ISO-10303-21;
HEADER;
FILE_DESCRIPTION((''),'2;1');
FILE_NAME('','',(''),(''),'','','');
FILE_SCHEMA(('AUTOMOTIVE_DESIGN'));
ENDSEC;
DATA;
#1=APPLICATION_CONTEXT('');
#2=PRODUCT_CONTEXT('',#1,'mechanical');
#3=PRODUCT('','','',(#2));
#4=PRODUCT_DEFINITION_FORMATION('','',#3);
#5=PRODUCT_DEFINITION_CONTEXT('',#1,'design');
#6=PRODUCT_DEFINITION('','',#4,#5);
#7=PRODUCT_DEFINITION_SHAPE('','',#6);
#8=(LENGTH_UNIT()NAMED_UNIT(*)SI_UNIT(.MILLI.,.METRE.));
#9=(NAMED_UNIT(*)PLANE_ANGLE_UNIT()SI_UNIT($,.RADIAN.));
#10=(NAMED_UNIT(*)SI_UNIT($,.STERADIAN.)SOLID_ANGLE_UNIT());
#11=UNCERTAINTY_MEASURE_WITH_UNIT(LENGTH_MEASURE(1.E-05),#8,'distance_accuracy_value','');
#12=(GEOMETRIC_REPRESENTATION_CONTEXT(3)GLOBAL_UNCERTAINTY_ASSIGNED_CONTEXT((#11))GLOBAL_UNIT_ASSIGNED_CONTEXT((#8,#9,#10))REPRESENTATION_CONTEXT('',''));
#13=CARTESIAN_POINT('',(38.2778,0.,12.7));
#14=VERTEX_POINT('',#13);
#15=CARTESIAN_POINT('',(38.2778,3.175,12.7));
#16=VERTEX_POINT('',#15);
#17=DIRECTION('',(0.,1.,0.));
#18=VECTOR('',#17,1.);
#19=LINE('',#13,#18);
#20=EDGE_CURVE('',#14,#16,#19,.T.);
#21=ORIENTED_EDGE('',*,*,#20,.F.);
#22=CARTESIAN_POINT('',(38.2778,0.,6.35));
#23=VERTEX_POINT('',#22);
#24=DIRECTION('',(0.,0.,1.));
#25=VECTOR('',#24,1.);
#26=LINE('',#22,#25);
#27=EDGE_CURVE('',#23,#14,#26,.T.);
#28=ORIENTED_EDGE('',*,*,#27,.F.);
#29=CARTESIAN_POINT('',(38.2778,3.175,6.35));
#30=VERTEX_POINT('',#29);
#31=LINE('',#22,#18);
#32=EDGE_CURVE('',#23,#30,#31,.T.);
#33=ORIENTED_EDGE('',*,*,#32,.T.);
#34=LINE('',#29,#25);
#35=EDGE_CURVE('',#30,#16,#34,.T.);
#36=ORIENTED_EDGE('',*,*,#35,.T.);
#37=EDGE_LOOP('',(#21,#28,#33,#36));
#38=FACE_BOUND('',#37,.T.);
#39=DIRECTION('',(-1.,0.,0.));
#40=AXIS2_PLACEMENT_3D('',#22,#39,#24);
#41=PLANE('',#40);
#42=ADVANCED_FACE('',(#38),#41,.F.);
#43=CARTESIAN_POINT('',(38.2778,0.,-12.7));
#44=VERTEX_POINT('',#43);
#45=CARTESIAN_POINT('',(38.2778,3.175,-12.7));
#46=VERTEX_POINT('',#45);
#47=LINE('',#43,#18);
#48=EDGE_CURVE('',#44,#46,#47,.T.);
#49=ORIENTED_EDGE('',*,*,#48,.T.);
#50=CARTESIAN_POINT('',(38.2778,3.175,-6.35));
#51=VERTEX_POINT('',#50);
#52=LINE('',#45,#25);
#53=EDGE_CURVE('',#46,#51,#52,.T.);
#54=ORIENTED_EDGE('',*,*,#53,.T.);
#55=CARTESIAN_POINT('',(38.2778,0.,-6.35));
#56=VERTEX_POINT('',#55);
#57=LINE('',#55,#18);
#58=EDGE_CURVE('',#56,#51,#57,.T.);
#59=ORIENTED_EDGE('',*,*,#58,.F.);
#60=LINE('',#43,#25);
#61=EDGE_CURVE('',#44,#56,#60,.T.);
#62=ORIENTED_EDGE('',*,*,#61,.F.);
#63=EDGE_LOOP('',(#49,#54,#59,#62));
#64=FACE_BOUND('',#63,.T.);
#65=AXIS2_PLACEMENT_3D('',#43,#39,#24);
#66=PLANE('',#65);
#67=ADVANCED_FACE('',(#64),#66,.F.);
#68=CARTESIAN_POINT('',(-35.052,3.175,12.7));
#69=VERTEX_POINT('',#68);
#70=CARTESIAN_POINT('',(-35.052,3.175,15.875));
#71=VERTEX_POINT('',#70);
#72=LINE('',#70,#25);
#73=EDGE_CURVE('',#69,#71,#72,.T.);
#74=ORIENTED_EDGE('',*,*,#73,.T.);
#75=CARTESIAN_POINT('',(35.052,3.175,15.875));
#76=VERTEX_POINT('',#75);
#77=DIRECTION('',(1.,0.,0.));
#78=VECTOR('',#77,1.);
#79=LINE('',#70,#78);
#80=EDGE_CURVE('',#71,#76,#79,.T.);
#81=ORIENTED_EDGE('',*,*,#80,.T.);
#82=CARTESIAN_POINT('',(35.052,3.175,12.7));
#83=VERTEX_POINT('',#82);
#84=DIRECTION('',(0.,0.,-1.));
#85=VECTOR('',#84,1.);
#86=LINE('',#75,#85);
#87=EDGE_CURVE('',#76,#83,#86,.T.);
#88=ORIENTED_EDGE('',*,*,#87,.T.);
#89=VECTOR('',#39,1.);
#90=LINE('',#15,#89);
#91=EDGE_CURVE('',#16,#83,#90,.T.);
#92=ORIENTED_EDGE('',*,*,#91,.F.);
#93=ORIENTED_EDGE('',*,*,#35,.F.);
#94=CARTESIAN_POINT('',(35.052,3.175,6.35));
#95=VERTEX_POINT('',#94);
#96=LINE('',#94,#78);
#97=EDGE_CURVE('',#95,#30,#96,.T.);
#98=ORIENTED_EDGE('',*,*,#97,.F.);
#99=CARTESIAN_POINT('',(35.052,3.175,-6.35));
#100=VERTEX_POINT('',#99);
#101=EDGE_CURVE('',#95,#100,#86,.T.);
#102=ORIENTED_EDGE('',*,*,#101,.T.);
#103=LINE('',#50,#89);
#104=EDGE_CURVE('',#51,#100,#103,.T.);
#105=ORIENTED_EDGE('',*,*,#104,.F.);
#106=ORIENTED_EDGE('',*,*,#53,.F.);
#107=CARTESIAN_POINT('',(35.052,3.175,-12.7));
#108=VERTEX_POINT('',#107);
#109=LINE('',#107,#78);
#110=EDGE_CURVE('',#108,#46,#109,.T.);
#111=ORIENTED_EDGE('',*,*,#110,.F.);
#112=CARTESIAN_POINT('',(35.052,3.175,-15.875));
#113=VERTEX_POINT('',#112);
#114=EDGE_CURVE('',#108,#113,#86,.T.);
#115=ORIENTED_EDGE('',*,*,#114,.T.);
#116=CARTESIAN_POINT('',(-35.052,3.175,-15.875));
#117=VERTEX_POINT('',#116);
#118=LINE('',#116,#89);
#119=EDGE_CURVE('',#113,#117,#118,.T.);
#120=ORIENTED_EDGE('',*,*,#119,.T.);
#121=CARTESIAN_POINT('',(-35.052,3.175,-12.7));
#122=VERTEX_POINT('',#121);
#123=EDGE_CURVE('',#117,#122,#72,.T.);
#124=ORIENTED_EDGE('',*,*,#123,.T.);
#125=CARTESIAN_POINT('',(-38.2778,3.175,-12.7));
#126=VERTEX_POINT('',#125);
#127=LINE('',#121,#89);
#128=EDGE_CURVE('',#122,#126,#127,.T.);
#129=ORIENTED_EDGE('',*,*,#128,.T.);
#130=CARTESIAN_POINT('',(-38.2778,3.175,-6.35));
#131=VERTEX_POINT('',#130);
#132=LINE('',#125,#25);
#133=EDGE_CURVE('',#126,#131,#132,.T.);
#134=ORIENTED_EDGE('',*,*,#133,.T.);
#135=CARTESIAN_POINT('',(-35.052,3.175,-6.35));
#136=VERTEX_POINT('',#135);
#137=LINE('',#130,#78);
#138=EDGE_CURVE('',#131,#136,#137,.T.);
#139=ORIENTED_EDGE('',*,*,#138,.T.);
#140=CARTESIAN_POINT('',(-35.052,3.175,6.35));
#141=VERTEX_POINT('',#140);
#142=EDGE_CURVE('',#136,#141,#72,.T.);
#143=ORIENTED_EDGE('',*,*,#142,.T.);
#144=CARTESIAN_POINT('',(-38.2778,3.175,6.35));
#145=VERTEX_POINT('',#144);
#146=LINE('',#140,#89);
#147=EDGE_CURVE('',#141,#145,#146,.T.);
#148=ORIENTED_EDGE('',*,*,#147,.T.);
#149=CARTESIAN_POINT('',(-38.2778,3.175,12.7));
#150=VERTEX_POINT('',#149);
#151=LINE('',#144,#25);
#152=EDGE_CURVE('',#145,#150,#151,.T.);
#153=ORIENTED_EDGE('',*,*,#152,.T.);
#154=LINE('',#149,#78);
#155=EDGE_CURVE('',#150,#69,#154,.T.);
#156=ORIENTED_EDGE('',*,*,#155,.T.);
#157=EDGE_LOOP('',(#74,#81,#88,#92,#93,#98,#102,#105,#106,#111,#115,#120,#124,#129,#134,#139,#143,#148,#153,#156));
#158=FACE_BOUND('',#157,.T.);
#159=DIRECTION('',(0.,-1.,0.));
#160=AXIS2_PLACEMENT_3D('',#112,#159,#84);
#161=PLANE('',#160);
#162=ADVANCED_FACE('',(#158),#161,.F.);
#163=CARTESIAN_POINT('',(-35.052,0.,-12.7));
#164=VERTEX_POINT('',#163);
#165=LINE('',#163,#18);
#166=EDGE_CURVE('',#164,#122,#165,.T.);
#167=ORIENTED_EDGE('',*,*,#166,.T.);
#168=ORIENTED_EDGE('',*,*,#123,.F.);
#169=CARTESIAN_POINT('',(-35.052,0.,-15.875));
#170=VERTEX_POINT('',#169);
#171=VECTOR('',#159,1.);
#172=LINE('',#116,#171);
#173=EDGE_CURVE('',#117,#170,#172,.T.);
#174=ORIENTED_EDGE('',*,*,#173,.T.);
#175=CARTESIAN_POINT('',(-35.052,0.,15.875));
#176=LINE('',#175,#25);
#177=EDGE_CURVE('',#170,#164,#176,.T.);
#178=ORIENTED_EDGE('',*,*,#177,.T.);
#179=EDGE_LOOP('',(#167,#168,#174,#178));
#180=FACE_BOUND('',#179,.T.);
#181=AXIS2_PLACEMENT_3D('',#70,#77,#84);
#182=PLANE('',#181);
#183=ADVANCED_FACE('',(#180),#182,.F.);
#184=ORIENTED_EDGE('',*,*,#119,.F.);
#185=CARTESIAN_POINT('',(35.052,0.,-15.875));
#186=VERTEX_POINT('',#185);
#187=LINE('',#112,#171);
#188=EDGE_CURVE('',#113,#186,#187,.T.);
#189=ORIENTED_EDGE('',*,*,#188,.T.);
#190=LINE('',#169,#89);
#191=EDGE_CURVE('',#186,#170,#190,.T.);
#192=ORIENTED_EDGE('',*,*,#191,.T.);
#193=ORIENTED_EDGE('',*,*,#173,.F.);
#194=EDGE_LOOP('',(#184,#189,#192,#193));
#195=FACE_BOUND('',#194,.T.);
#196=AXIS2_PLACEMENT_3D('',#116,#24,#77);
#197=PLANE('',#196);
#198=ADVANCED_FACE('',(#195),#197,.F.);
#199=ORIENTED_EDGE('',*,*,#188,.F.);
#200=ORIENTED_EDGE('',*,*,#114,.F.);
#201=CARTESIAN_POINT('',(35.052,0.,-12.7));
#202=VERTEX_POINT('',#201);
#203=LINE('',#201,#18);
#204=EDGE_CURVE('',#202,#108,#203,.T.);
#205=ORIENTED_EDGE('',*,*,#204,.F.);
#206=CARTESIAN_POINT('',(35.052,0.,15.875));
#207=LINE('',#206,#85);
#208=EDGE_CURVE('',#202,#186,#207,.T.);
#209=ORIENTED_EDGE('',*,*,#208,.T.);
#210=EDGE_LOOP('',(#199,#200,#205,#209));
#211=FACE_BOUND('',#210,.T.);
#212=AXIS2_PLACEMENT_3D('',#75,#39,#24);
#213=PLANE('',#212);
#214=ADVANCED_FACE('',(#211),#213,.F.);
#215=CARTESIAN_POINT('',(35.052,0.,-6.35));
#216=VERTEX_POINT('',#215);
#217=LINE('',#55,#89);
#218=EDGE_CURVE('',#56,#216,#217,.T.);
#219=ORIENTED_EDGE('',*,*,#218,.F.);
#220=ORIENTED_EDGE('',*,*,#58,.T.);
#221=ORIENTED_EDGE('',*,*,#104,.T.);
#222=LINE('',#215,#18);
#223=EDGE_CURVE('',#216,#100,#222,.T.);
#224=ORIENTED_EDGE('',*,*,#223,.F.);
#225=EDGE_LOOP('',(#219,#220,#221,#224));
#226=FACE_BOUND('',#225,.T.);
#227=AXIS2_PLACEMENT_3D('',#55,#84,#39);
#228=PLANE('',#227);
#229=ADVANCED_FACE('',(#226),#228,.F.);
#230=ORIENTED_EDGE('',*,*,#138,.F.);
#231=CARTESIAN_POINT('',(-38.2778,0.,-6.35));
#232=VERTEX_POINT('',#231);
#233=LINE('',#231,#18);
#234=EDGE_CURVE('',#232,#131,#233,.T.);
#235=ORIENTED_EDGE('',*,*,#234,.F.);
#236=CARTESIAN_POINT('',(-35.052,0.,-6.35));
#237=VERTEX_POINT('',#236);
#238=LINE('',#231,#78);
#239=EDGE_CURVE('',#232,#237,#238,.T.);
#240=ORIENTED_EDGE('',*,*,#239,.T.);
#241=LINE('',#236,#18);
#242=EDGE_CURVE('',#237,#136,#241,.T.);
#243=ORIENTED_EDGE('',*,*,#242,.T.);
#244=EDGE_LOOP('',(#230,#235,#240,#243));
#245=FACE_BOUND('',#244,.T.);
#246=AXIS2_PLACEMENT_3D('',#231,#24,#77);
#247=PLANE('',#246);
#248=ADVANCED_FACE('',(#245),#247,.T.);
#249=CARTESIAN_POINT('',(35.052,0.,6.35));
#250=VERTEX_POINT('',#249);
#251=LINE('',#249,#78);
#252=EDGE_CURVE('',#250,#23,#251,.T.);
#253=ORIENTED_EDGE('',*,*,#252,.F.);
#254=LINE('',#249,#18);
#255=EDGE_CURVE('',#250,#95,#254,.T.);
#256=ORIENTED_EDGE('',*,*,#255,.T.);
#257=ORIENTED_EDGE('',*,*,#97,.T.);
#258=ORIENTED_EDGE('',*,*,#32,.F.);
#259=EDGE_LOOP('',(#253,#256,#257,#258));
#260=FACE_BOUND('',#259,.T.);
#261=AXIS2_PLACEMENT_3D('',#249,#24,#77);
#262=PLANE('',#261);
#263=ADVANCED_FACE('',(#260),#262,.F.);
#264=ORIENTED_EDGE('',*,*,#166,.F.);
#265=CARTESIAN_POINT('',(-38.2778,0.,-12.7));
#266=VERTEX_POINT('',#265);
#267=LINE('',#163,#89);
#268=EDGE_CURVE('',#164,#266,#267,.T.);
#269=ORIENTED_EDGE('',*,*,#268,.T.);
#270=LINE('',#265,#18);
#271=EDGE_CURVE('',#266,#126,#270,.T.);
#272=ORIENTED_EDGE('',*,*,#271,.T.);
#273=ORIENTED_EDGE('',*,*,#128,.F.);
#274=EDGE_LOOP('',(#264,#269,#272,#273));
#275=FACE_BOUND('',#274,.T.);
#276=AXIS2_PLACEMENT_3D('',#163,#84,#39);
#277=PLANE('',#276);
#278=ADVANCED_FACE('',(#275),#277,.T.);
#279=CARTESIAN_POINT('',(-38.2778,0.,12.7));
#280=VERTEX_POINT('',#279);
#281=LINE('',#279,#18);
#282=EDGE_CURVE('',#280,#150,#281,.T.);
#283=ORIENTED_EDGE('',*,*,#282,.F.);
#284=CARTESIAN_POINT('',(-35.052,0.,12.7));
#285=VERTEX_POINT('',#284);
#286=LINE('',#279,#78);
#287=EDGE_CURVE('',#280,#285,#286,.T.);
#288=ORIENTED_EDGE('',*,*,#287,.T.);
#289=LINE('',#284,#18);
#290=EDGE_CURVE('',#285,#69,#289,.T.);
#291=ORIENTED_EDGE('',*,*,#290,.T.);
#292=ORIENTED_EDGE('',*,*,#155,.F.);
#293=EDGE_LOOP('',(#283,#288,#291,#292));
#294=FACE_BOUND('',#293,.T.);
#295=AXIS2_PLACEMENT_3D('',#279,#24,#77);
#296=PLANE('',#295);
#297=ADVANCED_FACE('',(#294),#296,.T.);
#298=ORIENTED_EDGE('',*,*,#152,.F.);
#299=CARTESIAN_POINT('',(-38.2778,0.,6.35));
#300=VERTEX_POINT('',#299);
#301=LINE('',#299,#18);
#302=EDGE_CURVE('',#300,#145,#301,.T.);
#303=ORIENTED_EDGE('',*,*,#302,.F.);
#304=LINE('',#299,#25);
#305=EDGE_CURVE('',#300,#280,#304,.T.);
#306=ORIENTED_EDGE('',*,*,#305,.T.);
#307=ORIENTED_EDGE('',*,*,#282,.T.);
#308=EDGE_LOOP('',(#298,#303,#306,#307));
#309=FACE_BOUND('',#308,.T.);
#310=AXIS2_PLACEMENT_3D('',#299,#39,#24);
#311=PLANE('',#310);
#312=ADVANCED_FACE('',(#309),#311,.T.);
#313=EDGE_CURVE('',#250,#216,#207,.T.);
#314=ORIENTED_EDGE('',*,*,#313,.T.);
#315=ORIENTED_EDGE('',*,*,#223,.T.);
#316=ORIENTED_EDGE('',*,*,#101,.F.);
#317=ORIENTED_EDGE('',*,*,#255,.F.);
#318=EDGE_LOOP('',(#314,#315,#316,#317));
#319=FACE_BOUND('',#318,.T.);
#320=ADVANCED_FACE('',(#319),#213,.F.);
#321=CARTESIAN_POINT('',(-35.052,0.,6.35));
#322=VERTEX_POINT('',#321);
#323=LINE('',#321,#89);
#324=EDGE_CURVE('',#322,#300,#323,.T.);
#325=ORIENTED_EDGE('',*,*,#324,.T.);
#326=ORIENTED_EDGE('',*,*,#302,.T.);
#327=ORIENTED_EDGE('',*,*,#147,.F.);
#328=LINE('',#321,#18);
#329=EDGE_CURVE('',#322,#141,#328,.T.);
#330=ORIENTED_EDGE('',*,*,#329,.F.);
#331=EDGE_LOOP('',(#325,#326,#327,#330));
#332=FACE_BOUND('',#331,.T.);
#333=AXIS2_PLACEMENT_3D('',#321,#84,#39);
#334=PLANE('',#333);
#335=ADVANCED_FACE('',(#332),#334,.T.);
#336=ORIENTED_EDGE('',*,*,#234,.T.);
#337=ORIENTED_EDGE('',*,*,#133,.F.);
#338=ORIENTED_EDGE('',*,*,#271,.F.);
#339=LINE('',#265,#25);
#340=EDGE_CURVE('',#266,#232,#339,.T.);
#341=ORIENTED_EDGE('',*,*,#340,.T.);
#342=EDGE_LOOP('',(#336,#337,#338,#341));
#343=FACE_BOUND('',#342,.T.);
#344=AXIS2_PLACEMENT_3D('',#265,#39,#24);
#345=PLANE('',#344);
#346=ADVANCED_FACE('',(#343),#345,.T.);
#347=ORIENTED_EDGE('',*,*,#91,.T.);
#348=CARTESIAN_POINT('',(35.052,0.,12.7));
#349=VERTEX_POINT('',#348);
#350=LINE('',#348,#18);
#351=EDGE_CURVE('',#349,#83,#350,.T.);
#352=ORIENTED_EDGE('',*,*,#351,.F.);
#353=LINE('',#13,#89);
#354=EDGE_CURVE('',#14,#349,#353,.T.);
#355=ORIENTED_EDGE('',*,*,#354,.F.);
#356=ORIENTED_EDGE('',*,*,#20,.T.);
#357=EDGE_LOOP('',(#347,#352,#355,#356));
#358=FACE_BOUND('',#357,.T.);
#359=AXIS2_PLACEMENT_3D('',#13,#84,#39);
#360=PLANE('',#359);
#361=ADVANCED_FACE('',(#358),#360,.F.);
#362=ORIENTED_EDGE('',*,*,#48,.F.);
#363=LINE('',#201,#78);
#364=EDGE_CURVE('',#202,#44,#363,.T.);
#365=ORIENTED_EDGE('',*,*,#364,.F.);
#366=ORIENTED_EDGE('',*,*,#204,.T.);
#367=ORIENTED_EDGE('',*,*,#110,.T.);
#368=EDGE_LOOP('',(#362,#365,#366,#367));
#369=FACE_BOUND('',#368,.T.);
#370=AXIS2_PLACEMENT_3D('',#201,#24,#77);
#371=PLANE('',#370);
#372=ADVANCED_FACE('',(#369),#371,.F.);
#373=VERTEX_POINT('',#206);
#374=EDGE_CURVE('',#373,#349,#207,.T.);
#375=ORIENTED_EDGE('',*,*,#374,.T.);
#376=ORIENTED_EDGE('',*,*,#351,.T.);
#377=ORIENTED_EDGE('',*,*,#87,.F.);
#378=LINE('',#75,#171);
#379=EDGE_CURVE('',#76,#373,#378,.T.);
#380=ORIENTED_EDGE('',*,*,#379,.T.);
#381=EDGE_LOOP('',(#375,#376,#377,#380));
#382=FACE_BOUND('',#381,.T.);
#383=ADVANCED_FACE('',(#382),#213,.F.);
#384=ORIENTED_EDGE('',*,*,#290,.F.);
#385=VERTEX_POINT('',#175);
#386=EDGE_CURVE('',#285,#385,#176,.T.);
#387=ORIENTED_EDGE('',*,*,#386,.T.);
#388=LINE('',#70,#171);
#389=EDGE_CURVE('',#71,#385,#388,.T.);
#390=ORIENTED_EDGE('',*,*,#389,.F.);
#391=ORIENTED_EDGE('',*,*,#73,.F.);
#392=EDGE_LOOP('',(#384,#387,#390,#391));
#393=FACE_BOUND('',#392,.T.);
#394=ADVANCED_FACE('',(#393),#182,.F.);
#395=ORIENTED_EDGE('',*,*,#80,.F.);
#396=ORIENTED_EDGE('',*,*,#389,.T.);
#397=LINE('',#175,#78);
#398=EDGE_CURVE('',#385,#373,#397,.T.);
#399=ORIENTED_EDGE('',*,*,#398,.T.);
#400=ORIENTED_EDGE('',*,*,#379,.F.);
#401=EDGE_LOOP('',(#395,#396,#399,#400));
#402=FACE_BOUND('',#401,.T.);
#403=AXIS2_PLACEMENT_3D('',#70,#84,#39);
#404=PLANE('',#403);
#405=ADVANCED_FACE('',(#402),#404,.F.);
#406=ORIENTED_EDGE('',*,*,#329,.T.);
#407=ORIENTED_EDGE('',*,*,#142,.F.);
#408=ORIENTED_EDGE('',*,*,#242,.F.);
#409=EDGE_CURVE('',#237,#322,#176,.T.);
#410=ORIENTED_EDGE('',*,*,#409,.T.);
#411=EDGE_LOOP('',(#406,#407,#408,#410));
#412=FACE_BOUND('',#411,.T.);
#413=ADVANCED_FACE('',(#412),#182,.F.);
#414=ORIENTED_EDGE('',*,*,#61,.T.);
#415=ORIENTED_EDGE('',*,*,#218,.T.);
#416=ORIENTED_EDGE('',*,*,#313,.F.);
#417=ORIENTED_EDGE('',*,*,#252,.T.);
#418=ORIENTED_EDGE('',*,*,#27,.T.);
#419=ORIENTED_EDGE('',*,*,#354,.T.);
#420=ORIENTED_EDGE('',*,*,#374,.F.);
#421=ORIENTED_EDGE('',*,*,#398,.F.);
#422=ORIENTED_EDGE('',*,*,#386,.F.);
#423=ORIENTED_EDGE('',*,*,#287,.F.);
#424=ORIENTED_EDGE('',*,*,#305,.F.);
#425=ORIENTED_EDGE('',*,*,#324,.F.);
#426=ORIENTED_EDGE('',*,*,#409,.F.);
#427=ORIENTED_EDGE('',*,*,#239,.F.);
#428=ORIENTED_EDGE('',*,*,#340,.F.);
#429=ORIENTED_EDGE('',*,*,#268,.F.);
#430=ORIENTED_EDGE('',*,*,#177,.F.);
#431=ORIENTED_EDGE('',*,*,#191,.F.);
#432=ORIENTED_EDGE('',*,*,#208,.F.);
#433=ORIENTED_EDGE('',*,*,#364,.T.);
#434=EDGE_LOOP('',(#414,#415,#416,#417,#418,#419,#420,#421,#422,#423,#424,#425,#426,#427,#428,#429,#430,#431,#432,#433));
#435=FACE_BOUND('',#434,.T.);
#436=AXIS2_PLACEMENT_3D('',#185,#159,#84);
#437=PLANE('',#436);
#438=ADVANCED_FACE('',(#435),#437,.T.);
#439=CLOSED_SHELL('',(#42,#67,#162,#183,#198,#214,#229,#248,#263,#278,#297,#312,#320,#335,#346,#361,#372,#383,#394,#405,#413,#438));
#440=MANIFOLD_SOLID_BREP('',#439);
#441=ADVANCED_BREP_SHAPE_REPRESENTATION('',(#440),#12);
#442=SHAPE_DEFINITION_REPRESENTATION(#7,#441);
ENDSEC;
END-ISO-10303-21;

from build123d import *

# Parameters (mm, degrees)
SKETCH1_W           = 70.104
SKETCH1_H           = 31.75
BOSS_EXTRUDE1_DEPTH = 3.175
SKETCH2_W           = 3.2258
SKETCH2_H           = 6.35
TABS_DEPTH          = 3.175


with BuildPart() as part:
    # Sketch1 → Boss-Extrude1 (new body)
    with BuildSketch(Plane(origin=(0, 0, 0), x_dir=(1, 0, 0), z_dir=(0, 1, 0))):
        Rectangle(SKETCH1_W, SKETCH1_H)
    extrude(amount=BOSS_EXTRUDE1_DEPTH)

    # Sketch2 → tabs (add)
    with BuildSketch(Plane(origin=(0, 3.175, 0), x_dir=(1, 0, 0), z_dir=(0, 1, 0))):
        with Locations((-36.6649, 9.525)):
            Rectangle(SKETCH2_W, SKETCH2_H)
        with Locations((-36.6649, -9.525)):
            Rectangle(SKETCH2_W, SKETCH2_H)
    tabs = extrude(amount=-TABS_DEPTH)

    # Mirror1: tabs across plane
    add(tabs.mirror(Plane(origin=(0, 0, 0), x_dir=(0, 0, 1), z_dir=(1, 0, 0))))


solid = part.part
